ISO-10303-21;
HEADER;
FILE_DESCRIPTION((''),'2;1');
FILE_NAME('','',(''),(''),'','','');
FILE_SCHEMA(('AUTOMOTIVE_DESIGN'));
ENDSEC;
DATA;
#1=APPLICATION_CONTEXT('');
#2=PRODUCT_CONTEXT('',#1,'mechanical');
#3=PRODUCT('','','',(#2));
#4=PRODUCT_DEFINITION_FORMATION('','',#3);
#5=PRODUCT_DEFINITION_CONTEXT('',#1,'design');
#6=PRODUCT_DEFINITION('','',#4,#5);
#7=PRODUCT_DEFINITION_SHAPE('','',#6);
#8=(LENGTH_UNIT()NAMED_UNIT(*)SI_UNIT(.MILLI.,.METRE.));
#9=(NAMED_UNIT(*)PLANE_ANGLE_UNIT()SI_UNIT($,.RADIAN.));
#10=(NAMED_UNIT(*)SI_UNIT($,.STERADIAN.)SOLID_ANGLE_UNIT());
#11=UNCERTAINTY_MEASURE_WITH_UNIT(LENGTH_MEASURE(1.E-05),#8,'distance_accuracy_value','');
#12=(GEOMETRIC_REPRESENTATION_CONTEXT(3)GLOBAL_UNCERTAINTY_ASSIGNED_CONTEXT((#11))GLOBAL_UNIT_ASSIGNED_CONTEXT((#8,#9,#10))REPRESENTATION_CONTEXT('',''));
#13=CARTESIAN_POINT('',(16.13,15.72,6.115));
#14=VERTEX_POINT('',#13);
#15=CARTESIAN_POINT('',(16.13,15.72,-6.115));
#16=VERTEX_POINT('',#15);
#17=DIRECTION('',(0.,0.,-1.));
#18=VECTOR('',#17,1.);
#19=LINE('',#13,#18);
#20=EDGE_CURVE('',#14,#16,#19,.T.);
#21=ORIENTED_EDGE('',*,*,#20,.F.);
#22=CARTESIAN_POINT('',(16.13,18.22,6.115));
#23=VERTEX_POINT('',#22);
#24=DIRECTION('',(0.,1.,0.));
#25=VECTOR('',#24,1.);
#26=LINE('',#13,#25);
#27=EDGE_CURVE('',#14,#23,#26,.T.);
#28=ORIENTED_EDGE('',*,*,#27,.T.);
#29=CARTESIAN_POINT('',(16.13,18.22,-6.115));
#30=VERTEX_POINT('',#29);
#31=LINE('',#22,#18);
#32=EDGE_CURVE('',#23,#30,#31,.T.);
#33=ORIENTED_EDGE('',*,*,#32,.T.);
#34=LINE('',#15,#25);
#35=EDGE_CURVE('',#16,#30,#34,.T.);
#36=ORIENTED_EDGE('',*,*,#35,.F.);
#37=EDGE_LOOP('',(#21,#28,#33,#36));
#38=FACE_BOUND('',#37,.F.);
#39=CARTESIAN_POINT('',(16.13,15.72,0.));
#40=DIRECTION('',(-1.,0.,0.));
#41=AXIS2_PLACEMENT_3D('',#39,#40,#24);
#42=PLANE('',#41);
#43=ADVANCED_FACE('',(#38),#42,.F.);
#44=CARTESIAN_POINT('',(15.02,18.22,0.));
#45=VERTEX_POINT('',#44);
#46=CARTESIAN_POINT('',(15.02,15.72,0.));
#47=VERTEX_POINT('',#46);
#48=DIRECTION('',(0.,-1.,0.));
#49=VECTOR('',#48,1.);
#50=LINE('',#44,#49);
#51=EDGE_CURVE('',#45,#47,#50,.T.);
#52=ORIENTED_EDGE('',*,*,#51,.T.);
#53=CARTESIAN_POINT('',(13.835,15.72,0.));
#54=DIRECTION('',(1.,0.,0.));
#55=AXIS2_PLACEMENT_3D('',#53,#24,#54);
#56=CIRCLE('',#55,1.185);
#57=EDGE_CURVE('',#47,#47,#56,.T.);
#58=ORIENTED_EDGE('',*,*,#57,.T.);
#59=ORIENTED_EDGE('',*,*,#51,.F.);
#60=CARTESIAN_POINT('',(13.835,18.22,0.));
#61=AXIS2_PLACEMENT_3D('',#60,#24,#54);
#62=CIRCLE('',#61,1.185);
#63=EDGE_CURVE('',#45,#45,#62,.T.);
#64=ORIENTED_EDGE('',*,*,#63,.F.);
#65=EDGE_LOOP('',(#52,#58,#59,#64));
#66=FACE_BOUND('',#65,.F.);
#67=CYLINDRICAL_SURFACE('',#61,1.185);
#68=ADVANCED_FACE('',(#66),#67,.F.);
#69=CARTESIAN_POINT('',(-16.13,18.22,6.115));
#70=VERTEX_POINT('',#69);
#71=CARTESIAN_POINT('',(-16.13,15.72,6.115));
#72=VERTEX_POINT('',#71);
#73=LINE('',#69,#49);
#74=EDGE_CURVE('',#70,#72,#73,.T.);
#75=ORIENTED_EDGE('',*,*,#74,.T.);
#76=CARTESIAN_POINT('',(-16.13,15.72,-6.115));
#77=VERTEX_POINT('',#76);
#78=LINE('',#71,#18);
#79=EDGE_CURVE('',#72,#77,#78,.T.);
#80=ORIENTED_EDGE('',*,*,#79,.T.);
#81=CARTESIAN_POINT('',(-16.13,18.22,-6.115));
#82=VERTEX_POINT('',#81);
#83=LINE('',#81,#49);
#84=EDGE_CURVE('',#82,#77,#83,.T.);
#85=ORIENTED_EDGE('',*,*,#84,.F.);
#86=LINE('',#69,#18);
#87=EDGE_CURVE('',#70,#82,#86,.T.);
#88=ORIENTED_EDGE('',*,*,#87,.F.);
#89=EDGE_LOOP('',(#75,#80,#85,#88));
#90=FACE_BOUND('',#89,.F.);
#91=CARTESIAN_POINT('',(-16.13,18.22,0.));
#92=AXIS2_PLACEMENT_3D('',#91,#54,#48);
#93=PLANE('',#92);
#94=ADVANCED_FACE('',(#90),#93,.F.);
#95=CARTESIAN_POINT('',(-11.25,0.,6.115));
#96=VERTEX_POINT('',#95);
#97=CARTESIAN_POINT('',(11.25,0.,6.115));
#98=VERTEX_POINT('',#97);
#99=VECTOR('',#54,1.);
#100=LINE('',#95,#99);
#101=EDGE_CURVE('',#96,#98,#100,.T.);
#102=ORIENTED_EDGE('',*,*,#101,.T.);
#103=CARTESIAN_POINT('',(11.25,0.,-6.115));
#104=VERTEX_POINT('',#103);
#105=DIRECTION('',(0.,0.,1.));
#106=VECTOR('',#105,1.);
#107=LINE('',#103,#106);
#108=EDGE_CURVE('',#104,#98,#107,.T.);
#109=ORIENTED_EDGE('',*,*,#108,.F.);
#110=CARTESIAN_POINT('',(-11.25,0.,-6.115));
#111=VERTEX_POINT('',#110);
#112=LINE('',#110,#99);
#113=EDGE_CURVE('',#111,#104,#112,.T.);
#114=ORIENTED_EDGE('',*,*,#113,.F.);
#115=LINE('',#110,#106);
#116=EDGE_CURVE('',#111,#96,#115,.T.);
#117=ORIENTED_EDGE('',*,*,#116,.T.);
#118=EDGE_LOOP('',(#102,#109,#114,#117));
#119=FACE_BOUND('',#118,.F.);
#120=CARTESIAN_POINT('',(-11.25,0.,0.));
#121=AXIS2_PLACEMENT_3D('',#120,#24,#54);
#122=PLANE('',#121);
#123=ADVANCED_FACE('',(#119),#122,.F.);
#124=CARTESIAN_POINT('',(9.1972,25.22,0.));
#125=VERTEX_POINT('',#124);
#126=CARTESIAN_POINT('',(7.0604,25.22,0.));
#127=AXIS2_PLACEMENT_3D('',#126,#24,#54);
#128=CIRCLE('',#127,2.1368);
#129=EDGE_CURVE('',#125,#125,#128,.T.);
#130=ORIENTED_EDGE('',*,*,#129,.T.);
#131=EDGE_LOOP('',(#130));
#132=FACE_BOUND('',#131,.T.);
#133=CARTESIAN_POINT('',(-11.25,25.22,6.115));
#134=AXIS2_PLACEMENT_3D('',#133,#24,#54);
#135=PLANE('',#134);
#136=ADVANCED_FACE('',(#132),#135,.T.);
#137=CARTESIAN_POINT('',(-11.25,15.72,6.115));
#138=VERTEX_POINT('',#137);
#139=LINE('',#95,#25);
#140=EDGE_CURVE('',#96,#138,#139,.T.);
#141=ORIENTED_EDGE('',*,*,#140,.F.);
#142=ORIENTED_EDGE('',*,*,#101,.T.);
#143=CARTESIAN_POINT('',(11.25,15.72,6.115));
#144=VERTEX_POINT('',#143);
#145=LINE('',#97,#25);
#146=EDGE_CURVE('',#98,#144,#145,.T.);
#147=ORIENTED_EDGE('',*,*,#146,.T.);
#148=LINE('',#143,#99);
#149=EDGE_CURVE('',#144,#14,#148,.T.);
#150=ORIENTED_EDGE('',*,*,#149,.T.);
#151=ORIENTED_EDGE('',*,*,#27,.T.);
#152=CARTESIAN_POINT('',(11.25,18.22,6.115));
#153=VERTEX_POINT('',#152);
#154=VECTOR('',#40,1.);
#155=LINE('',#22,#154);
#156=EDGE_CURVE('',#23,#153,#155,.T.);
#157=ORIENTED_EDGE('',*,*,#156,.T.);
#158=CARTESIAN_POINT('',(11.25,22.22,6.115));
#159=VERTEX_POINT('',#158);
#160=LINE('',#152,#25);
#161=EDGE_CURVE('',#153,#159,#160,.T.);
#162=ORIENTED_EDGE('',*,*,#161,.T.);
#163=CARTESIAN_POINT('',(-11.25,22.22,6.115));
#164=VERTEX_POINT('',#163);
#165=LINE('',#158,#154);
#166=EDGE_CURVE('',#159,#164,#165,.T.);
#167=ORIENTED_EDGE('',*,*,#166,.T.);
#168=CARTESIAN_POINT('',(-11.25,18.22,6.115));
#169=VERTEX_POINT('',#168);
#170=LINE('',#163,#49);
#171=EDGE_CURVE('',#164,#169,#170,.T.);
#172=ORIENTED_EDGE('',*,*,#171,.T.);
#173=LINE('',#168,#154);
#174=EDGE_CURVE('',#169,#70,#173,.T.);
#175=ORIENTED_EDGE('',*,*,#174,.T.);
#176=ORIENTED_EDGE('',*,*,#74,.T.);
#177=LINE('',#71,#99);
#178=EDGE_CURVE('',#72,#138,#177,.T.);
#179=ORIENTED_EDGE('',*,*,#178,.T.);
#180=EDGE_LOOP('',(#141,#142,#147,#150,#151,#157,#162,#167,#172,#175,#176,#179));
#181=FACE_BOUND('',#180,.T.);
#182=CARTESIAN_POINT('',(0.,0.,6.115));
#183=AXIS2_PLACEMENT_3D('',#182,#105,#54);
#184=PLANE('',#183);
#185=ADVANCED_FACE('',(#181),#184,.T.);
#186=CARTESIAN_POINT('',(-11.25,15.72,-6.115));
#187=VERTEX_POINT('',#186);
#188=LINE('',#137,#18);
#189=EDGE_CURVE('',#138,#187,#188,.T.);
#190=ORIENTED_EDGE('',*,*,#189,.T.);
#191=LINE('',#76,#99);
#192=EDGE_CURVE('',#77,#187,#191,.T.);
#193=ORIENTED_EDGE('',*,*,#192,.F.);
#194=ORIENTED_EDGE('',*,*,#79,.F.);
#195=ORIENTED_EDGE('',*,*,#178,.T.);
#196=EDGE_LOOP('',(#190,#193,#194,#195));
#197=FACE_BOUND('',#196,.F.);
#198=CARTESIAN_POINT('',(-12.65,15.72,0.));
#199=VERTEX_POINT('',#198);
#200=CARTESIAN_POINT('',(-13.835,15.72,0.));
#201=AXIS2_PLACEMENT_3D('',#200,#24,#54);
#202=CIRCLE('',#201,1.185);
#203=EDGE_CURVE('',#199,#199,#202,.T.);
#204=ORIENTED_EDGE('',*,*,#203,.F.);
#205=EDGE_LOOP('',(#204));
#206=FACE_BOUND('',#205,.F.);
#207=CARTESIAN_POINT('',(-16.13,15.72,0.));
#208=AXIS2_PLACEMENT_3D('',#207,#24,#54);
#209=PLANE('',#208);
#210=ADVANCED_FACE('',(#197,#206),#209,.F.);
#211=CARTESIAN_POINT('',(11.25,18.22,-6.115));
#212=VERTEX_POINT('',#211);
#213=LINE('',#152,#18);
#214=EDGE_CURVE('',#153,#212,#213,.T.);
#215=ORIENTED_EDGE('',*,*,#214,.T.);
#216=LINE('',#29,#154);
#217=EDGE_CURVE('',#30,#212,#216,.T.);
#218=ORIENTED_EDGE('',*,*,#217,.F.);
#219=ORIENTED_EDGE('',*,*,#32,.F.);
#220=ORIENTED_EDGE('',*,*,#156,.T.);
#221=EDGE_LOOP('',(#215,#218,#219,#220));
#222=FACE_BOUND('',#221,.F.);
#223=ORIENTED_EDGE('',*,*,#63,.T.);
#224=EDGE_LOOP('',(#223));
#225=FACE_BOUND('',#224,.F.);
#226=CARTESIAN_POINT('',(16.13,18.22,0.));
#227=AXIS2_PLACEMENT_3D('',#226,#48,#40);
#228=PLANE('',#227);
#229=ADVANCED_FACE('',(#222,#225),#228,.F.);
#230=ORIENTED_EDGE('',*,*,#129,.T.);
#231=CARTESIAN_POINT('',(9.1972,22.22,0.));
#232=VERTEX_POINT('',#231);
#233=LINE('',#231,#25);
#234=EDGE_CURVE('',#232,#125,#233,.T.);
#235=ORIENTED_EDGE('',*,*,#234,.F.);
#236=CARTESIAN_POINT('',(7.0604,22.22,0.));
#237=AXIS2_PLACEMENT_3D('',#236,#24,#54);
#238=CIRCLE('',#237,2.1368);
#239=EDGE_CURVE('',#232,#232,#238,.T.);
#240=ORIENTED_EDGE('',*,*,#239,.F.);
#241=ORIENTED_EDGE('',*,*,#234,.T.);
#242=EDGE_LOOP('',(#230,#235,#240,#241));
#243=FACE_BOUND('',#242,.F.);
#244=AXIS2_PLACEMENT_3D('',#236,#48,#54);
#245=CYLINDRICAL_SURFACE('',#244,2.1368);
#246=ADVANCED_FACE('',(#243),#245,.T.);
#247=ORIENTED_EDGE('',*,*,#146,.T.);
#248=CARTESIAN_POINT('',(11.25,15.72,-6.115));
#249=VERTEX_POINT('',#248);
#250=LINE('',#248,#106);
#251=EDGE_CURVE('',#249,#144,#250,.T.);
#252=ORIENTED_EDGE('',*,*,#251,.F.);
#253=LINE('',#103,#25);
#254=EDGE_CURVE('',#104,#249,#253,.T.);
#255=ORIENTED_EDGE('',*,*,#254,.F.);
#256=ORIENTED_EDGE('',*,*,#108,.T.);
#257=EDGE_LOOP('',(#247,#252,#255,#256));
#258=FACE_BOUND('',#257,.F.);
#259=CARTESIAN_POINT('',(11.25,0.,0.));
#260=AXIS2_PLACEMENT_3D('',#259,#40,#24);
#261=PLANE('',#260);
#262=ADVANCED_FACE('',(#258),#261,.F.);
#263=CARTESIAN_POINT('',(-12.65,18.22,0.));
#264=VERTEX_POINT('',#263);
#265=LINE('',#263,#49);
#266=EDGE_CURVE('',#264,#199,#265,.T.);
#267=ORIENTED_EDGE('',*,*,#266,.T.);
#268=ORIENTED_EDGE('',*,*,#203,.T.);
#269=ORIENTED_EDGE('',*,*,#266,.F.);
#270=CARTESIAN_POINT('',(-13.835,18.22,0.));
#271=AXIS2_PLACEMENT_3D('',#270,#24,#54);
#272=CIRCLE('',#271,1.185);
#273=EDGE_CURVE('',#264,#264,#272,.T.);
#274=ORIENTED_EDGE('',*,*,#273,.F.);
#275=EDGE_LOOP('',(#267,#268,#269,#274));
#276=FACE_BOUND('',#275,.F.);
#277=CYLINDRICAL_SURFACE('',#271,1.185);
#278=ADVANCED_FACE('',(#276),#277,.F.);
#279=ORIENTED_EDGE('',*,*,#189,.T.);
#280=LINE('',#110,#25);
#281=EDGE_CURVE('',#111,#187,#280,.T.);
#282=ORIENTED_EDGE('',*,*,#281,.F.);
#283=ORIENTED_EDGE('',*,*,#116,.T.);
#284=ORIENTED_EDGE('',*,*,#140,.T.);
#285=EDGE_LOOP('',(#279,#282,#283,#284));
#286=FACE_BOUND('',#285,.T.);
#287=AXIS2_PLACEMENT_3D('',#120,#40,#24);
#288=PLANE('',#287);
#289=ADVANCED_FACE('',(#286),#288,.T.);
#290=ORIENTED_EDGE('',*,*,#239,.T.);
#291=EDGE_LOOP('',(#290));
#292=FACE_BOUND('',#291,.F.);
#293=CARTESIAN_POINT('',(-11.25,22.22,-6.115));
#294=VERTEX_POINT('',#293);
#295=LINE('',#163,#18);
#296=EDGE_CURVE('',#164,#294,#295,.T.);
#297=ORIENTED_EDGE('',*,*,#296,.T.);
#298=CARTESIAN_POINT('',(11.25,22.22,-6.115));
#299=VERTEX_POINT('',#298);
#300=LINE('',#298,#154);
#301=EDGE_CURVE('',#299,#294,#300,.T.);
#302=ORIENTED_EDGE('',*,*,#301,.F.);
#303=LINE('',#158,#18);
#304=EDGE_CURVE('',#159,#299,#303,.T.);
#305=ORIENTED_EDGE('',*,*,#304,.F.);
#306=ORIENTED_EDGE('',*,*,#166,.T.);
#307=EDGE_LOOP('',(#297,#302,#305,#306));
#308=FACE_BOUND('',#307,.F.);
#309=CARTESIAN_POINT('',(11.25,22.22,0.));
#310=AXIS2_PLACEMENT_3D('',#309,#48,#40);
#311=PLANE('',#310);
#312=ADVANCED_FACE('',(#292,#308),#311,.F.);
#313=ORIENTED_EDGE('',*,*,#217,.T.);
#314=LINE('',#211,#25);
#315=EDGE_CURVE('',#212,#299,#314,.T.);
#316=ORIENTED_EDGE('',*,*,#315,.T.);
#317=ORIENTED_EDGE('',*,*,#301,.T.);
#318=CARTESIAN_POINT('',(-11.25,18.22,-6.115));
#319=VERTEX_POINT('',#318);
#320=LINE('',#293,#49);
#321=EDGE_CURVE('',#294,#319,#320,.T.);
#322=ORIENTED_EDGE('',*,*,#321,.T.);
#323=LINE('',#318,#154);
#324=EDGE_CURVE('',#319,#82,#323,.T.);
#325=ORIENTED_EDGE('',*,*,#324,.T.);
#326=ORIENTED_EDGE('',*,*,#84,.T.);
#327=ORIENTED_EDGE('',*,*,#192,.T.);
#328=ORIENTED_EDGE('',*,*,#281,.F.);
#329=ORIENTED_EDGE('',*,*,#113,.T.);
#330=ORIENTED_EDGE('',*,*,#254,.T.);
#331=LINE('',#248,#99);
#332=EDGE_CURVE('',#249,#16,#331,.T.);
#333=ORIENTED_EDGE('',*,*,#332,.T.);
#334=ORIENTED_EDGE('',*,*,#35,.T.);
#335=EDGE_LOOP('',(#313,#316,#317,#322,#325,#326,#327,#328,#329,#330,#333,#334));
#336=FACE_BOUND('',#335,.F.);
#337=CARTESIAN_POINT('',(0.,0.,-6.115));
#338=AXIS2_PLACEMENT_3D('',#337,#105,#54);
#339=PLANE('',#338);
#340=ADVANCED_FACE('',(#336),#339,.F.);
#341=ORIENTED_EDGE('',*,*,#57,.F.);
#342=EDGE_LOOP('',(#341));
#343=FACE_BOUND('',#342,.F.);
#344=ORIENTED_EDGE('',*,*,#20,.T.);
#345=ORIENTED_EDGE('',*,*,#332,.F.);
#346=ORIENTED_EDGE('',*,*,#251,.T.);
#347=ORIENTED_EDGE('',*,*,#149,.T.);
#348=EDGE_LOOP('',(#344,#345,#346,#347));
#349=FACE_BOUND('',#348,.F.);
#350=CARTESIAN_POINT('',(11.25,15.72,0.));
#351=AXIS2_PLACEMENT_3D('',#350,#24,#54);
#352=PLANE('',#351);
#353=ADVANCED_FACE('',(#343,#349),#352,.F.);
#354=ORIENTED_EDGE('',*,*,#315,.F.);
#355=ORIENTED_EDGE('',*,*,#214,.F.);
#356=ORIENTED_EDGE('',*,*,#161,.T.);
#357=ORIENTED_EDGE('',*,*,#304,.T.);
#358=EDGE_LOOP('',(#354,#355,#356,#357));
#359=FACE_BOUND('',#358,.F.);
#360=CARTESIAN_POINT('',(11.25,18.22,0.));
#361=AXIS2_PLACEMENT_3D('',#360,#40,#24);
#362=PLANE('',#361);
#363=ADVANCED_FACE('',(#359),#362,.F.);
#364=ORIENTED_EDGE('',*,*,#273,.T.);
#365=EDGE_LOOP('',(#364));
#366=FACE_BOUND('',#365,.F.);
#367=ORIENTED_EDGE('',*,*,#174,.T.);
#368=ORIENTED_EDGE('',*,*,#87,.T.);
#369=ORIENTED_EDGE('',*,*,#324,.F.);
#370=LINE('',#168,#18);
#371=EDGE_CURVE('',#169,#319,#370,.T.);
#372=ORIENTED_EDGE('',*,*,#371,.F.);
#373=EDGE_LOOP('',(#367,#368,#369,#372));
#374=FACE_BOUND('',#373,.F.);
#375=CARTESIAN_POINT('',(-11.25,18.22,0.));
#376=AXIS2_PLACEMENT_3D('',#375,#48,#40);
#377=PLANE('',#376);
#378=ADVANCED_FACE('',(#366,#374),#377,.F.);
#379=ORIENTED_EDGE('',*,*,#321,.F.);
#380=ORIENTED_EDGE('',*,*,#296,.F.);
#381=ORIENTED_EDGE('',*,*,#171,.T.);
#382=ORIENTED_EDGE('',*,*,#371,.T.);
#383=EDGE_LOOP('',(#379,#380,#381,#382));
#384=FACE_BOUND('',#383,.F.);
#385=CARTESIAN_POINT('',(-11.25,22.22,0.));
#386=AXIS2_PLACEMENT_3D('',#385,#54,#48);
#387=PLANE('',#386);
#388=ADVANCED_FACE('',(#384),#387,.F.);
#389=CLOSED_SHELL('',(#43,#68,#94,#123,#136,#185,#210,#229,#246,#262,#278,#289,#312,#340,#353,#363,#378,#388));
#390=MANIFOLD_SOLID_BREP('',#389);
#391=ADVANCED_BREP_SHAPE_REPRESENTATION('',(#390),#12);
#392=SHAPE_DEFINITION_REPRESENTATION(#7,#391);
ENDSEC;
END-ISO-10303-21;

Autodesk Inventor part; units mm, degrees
ref_plane "YZ Plane" through (0, 0, 0) normal (1, 0, 0) x (0, 1, 0)
ref_plane "XZ Plane" through (0, 0, 0) normal (0, 1, 0) x (-1, 0, 0)
ref_plane "XY Plane" through (0, 0, 0) normal (0, 0, 1) x (1, 0, 0)
sketch "Sketch1" plane through (0, 0, 0) normal (0, 0, 1) x (1, 0, 0)
  line L0 (-11.25, 0) -> (11.25, 0)
  line L1 (11.25, 0) -> (11.25, 15.72)
  line L2 (11.25, 15.72) -> (16.13, 15.72)
  line L3 (16.13, 15.72) -> (16.13, 18.22)
  line L4 (16.13, 18.22) -> (11.25, 18.22)
  line L5 (11.25, 18.22) -> (11.25, 22.22)
  line L6 (11.25, 22.22) -> (-11.25, 22.22)
  line L7 (-11.25, 22.22) -> (-11.25, 18.22)
  line L8 (-11.25, 18.22) -> (-16.13, 18.22)
  line L9 (-16.13, 18.22) -> (-16.13, 15.72)
  line L10 (-16.13, 15.72) -> (-11.25, 15.72)
  line L11 (-11.25, 0) -> (-11.25, 15.72)
  point P0 (0, 0)
  point P1 (0, 0)
  dimension "d0" = 22.5
  dimension "d1" = 15.72
  dimension "d2" = 4.88
  dimension "d3" = 2.5
  dimension "d4" = 4
  dimension "d5" = 4.88
extrude "Extrusion1" add sketch "Sketch1" along normal mid plane 12.23
sketch "Sketch2" plane through (-16.13, 18.22, 6.115) normal (0, 1, 0) x (1, 0, 0)
  line L0 (4.88, 12.23) -> (4.88, 0) projected
  line L1 (27.38, 0) -> (4.88, 0) projected
  line L2 (27.38, 12.23) -> (27.38, 0) projected
  line L3 (4.88, 12.23) -> (27.38, 12.23) projected
  line L4 (27.38, 0) -> (4.88, 0) projected
  line L5 (16.13, 0) -> (16.13, 12.23) construction
  line L6 (4.88, 6.115) -> (27.38, 6.115) construction
  circle A0 centre (2.295, 6.115) radius 1.185
  line L7 (27.38, 6.115) -> (4.88, 6.115) construction
  circle A1 centre (29.965, 6.115) radius 1.185
  point P0 (16.13, 6.115)
  dimension "d8" = 2.37
  dimension "d9" = 27.67
sketch "Sketch3" plane through (-11.25, 22.22, 6.115) normal (0, 1, 0) x (1, 0, 0)
  circle A0 centre (18.3104, 6.115) radius 2.1368
  point P0 (11.25, 6.115)
  dimension "d10" = 4.2736
extrude "Extrusion2" cut sketch "Sketch2" against normal up to next contours A0 | A1
extrude "Extrusion3" add sketch "Sketch3" along normal blind 3
sketch "Sketch4" plane through (-11.25, 0, 6.115) normal (0, -1, 0) x (1, 0, 0)
  circle A0 centre (-2.585, -6.115) radius 1.185 projected
  circle A1 centre (25.085, -6.115) radius 1.185 projected
  line L0 (22.5, -12.23) -> (22.5, 0) projected
  line L1 (0, 0) -> (22.5, 0) projected
  line L2 (0, 0) -> (0, -12.23) projected
  line L3 (22.5, -12.23) -> (0, -12.23) projected
  line L4 (0, -12.23) -> (0, 0) projected
  line L5 (0, -6.115) -> (22.5, -6.115) construction
  line L6 (11.25, 0) -> (11.25, -12.23) construction
  circle A2 centre (18.3104, -6.115) radius 2.1368 projected
  point P0 (11.25, -6.115)
properties part number "micro_servo"
